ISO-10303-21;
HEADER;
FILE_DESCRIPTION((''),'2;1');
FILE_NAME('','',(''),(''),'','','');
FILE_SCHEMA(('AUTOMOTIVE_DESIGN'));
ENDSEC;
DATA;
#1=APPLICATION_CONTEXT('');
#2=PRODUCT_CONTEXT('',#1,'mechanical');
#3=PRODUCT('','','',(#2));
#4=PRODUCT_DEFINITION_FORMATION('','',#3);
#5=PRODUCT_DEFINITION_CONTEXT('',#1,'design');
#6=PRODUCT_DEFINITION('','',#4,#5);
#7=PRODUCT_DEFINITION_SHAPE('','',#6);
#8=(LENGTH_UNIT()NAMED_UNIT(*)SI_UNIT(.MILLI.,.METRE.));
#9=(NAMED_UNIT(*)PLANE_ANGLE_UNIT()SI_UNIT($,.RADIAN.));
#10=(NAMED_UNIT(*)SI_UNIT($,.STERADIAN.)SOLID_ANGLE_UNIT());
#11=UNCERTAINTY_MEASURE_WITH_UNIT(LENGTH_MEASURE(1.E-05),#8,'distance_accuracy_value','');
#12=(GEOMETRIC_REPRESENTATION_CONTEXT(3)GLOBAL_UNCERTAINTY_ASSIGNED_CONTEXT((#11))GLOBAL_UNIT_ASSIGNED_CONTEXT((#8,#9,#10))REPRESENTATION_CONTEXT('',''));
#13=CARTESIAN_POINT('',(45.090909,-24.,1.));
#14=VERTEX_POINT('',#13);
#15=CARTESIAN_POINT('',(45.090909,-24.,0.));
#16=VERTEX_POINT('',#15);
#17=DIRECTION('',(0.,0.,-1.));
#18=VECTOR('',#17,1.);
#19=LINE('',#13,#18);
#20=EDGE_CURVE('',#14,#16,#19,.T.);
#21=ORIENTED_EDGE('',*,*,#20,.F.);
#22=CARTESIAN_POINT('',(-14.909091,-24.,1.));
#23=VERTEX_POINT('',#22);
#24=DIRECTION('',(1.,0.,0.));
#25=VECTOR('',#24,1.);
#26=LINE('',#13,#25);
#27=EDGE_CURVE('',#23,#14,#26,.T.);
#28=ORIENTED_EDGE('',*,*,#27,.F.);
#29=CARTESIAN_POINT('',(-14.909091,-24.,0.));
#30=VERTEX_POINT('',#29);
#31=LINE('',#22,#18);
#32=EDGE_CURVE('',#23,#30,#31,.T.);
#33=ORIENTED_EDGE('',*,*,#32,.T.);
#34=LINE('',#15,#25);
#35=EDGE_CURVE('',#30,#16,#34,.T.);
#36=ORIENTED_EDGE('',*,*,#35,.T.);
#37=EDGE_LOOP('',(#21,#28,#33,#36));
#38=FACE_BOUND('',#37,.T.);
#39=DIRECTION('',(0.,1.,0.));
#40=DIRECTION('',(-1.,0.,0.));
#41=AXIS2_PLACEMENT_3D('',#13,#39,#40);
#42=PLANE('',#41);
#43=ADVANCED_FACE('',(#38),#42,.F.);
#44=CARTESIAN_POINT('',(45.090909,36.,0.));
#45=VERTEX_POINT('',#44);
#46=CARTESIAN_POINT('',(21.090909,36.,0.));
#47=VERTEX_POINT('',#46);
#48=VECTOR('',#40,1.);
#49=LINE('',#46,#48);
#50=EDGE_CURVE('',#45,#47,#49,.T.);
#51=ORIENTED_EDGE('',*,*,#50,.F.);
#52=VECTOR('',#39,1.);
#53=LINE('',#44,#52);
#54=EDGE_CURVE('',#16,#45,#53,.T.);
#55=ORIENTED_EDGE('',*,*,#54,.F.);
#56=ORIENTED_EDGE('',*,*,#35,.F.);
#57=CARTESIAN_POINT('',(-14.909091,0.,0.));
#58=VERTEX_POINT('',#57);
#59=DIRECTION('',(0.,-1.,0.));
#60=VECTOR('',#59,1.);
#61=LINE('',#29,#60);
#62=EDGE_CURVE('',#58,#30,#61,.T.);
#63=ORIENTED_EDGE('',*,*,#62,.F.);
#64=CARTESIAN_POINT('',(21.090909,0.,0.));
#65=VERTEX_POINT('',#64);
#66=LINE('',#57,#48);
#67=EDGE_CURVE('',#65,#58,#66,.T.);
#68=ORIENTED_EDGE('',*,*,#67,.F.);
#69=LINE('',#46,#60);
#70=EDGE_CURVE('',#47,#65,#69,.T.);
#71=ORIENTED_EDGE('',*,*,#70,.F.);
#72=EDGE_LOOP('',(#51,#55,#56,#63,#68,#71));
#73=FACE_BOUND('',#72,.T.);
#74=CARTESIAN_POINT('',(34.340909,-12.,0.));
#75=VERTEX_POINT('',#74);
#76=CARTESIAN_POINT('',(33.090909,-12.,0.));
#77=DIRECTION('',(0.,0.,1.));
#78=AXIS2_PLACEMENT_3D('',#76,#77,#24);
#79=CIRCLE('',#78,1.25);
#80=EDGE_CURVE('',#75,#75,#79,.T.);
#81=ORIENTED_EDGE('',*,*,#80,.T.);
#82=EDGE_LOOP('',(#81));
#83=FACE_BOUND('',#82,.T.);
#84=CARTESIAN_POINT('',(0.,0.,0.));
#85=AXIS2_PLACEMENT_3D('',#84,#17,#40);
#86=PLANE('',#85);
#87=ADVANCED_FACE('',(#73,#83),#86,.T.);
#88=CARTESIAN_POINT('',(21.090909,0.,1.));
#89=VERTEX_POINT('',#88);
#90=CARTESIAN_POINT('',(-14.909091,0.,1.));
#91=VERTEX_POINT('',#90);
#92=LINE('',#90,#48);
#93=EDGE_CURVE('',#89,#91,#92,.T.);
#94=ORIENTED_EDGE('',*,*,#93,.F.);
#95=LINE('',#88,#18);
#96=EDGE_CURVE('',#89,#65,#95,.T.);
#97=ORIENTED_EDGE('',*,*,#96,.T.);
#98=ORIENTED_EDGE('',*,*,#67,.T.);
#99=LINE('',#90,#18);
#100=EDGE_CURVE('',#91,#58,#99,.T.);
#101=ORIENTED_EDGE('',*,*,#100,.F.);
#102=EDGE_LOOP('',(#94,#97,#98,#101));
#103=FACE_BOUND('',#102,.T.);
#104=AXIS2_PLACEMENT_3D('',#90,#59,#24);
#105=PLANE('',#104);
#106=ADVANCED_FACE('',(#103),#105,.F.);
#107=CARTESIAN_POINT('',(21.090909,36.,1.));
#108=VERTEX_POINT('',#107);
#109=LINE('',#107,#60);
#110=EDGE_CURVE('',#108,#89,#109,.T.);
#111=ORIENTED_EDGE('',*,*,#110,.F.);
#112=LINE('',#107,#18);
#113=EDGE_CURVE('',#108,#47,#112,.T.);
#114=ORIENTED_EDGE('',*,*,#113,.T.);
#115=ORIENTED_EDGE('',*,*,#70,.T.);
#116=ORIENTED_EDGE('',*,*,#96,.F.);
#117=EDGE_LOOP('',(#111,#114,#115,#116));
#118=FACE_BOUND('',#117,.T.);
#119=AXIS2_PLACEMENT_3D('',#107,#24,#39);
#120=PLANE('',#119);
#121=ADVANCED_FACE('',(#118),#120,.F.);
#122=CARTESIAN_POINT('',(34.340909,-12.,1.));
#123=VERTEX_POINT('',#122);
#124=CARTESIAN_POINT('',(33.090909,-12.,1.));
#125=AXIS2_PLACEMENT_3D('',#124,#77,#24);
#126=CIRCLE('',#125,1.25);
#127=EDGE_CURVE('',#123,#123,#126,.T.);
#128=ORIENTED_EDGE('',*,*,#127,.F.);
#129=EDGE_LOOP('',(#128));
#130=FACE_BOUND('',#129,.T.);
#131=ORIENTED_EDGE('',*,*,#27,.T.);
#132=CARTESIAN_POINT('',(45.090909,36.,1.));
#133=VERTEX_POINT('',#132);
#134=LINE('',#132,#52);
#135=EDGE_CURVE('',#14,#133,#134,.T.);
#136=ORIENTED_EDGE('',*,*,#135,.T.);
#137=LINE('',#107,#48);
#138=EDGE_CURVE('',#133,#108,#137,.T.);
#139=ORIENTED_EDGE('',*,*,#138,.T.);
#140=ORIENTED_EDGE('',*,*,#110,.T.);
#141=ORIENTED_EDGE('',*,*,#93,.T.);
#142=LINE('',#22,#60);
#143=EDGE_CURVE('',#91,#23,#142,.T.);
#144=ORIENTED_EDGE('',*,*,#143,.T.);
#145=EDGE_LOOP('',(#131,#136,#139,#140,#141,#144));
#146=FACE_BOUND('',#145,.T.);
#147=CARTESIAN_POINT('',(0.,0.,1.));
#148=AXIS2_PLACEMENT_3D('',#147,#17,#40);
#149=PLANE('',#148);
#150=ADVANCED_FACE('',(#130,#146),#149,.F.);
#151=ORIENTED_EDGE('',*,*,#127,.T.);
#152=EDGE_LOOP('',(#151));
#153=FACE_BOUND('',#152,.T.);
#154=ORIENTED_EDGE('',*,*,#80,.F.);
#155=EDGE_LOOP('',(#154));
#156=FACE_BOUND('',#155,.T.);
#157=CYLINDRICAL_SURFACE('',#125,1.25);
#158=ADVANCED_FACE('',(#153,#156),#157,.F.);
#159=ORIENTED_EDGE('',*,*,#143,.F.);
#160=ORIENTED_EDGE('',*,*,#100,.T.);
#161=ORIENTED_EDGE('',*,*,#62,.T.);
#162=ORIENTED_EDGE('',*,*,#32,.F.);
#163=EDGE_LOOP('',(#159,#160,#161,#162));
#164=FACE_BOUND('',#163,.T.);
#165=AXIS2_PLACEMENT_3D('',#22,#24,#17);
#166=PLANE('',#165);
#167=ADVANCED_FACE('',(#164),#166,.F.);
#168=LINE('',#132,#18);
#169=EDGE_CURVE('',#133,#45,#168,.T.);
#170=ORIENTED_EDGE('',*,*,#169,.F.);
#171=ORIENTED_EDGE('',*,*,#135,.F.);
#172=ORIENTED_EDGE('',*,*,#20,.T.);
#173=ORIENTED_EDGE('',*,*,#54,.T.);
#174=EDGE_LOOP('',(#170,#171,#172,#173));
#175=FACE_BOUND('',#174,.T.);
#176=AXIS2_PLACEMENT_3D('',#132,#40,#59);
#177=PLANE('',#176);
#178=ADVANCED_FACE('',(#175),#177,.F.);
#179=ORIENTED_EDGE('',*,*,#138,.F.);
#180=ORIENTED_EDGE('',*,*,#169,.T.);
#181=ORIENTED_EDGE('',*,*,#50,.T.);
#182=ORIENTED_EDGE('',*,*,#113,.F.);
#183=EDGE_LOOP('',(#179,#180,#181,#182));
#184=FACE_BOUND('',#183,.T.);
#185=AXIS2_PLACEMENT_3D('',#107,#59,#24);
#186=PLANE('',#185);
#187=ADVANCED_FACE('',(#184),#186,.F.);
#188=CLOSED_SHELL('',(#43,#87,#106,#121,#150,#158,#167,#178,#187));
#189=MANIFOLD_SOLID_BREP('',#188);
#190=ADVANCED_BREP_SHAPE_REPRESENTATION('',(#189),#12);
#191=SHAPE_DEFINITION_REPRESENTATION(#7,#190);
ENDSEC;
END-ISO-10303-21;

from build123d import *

# Parameters (mm, degrees)
EXTRUDE_1_DEPTH    = 1
HOLE_WIZARD_M3_1_D = 2.5


with BuildPart() as part:
    # 草图1 → 凸台-拉伸1 (new body)
    with BuildSketch(Plane.XY):
        Polygon((-14.909090909, 0), (21.090909091, 0), (21.090909091, 36), (45.090909091, 36), (45.090909091, -24), (-14.909090909, -24), align=None)
    extrude(amount=EXTRUDE_1_DEPTH)

    # M3 螺纹孔的螺纹孔钻头1 (through all)
    with Locations(Plane(origin=(33.090909091, -12, 1), x_dir=(1, 0, 0), z_dir=(0, 0, 1))):
        with Locations((0, 0)):
            Hole(HOLE_WIZARD_M3_1_D / 2)


solid = part.part
